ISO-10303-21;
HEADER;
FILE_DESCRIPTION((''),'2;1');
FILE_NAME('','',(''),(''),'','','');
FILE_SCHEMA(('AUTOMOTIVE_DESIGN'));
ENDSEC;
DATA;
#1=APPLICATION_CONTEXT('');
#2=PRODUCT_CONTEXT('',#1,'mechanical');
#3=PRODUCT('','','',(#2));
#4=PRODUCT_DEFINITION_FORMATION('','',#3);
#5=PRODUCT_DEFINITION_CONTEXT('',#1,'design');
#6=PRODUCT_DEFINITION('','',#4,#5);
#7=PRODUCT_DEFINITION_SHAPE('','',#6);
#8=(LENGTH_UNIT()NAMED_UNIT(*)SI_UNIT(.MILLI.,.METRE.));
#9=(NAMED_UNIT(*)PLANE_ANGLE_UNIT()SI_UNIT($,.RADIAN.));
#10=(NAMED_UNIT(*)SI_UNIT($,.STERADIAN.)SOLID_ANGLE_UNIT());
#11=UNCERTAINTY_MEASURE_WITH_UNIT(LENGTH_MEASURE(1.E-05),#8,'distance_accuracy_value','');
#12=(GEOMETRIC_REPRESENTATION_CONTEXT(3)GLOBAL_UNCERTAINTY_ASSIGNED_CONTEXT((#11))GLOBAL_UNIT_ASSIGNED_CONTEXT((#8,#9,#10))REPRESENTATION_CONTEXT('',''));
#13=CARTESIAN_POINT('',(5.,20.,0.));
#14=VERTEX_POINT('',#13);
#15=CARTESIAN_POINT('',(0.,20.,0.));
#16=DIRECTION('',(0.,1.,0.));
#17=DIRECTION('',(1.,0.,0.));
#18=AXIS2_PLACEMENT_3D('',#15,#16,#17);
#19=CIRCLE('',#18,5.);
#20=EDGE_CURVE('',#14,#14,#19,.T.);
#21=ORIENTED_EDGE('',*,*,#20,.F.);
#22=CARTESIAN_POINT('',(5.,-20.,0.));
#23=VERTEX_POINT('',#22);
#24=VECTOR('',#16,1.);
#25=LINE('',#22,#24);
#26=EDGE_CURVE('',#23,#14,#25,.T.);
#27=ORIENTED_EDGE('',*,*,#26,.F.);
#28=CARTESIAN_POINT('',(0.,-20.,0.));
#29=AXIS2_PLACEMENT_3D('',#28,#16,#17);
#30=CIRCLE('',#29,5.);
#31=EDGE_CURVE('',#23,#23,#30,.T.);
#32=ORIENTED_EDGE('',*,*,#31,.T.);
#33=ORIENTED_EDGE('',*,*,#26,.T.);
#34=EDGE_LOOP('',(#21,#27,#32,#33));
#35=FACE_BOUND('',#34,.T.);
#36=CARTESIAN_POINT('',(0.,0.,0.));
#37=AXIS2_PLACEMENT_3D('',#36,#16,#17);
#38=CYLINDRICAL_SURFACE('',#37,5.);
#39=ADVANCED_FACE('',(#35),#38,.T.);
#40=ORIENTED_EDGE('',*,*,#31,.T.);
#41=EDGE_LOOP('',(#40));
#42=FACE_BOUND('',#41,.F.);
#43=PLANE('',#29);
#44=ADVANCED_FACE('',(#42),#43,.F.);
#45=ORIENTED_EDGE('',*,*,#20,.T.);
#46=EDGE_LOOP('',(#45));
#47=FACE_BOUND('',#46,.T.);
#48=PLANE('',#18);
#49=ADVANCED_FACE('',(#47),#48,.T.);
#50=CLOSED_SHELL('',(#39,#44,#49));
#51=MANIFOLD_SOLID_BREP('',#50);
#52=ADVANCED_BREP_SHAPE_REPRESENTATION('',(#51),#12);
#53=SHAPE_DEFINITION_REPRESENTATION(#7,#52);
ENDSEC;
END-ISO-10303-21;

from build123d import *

# Parameters (mm, degrees)
SKETCH1_R           = 5
BOSS_EXTRUDE1_DEPTH = 20


with BuildPart() as part:
    # Sketch1 → Boss-Extrude1 (new body, symmetric)
    with BuildSketch(Plane(origin=(0, 0, 0), x_dir=(1, 0, 0), z_dir=(0, 1, 0))):
        Circle(SKETCH1_R)
    extrude(amount=BOSS_EXTRUDE1_DEPTH, both=True)


solid = part.part
